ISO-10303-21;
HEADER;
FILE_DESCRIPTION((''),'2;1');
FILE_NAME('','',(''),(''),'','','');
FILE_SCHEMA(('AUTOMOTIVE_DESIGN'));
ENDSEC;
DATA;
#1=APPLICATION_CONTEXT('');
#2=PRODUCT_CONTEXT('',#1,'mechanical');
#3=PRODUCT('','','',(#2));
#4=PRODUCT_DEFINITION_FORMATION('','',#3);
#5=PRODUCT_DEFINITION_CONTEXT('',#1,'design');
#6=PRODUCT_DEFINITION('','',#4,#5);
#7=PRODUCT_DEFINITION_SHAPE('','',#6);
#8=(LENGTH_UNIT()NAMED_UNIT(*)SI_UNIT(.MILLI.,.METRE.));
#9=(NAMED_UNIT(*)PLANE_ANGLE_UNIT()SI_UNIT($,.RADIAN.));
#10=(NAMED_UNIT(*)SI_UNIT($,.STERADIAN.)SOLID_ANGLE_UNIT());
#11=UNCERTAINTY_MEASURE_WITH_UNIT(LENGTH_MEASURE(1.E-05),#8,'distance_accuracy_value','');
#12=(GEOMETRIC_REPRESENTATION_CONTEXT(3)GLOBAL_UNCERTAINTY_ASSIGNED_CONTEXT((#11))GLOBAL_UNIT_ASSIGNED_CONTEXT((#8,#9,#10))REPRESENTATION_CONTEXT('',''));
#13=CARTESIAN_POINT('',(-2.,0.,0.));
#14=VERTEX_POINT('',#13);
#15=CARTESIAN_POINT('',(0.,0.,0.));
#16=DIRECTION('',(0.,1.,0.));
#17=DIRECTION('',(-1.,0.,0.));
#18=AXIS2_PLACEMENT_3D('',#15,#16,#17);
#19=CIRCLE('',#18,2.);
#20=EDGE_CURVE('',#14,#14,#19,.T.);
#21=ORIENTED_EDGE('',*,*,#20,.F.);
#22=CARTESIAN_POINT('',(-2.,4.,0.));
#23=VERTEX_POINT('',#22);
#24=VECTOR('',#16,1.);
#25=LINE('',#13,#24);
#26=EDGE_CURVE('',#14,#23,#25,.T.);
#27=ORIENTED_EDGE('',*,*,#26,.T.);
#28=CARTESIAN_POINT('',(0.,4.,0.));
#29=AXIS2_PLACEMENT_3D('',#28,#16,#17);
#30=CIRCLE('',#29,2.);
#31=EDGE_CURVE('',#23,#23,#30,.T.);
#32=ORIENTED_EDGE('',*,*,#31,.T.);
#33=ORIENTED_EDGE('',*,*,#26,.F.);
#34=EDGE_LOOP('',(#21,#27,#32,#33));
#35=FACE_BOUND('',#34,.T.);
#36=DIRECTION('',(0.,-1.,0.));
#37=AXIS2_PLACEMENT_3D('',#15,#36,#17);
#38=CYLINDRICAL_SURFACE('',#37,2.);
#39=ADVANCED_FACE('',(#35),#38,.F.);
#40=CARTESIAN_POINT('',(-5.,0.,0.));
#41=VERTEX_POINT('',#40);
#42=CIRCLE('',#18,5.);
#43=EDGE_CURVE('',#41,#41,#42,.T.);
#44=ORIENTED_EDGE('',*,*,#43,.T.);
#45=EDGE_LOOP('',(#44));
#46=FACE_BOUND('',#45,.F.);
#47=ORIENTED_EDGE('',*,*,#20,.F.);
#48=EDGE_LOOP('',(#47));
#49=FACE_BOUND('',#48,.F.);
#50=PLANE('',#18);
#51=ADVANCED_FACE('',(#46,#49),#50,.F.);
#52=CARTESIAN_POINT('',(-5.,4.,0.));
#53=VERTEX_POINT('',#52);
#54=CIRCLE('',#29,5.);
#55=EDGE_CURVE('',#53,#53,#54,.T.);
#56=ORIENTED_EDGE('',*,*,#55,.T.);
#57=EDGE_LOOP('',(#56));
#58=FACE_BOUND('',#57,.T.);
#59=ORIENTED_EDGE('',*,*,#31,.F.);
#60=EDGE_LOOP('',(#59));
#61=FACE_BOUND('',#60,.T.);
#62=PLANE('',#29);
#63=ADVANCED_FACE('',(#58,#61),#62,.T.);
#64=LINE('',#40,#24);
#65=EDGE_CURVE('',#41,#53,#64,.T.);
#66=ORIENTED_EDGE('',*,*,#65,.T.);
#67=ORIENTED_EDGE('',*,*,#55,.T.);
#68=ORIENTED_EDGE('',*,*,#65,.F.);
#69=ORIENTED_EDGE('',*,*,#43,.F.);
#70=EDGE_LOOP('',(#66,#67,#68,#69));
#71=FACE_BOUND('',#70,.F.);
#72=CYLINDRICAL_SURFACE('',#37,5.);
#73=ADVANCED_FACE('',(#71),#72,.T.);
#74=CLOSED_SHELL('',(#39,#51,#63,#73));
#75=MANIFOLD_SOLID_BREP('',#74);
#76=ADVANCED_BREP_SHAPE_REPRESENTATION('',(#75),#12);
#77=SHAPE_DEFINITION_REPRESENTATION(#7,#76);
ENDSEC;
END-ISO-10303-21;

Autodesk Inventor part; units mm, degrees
ref_plane "YZ Plane" through (0, 0, 0) normal (1, 0, 0) x (0, 1, 0)
ref_plane "XZ Plane" through (0, 0, 0) normal (0, 1, 0) x (-1, 0, 0)
ref_plane "XY Plane" through (0, 0, 0) normal (0, 0, 1) x (1, 0, 0)
sketch "Sketch1" plane through (0, 0, 0) normal (0, 1, 0) x (-1, 0, 0)
  circle A0 centre (0, 0) radius 2
  circle A1 centre (0, 0) radius 5
  dimension "d0" = 4
  dimension "d1" = 10
extrude "Extrusion1" add sketch "Sketch1" along normal blind 4
properties part number "rodamiento" material "Stainless Steel"
